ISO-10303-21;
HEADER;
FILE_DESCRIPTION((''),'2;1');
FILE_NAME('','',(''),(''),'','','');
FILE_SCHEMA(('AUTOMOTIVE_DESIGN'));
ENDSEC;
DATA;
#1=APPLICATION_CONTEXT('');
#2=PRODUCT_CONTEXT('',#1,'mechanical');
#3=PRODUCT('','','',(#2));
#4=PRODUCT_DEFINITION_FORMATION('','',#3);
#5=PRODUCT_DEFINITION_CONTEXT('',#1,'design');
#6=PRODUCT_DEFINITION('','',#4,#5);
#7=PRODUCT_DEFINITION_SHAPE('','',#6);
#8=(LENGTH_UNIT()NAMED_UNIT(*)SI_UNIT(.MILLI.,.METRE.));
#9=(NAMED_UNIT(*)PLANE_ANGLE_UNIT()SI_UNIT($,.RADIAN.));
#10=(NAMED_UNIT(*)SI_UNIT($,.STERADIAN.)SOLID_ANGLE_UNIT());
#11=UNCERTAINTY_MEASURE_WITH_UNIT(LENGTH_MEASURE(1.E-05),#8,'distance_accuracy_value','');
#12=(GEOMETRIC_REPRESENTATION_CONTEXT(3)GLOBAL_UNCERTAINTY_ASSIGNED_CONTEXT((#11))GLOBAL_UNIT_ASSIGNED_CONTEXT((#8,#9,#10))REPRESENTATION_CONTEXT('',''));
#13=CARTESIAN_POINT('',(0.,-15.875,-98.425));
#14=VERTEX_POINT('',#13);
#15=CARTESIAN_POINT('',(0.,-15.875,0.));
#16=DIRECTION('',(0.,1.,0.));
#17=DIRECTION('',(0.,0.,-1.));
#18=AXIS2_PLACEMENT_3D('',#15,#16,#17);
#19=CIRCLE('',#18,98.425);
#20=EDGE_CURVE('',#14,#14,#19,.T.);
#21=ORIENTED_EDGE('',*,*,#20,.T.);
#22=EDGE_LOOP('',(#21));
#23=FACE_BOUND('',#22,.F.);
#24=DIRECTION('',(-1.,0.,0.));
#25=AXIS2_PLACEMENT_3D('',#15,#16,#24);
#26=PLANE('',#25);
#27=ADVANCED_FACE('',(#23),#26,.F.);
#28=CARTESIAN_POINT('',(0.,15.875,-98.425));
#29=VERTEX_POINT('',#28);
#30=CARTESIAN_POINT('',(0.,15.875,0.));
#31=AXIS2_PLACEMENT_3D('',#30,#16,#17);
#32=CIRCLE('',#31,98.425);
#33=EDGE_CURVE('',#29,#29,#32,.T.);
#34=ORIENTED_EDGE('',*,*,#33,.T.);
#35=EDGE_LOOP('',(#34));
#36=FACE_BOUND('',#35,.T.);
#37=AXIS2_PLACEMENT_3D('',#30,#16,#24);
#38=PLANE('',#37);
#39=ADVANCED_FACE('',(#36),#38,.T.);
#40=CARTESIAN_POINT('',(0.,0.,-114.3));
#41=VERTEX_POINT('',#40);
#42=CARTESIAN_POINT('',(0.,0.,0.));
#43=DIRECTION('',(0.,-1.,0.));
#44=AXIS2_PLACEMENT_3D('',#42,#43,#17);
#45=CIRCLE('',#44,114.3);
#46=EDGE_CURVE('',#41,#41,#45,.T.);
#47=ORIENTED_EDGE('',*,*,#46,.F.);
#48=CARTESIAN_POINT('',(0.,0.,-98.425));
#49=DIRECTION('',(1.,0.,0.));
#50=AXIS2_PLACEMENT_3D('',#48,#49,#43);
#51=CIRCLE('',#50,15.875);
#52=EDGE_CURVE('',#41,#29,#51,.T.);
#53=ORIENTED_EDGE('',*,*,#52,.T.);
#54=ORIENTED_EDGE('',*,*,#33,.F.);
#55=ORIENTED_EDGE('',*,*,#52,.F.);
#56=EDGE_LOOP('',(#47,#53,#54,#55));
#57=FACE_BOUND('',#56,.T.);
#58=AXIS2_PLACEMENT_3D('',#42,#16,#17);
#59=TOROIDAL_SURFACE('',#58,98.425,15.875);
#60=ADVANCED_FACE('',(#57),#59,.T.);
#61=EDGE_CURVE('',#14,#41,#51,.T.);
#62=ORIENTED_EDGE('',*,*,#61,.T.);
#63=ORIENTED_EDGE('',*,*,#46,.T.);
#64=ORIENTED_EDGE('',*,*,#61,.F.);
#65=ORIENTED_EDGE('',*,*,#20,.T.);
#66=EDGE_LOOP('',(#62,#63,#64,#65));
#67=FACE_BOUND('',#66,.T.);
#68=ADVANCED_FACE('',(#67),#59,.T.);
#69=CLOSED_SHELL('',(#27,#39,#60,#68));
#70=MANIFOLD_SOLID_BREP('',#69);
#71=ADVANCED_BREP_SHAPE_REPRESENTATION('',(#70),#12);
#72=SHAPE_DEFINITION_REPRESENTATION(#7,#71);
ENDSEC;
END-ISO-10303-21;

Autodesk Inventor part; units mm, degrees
ref_plane "YZ Plane" through (0, 0, 0) normal (1, 0, 0) x (0, 1, 0)
ref_plane "XZ Plane" through (0, 0, 0) normal (0, 1, 0) x (-1, 0, 0)
ref_plane "XY Plane" through (0, 0, 0) normal (0, 0, 1) x (1, 0, 0)
sketch "Sketch1" plane through (0, 0, 0) normal (0, 1, 0) x (-1, 0, 0)
  circle A0 centre (0, 0) radius 114.3
  dimension "d0" = 228.6
extrude "Extrusion1" add sketch "Sketch1" along normal mid plane 31.75
sketch "Sketch2" plane through (0, 0, 0) normal (1, 0, 0) x (0, 1, 0)
  line L0 (-15.875, 114.3) -> (-15.875, -114.3) projected
  line L1 (-15.875, -114.3) -> (15.875, -114.3) projected
  line L2 (15.875, -114.3) -> (15.875, 114.3) projected
  line L3 (-15.875, 114.3) -> (15.875, 114.3) projected
  arc A0 (-15.875, -98.425) -> (15.875, -98.425) centre (0, -98.425) ccw
  line L4 (-22.225, 0) -> (22.225, 0) projected
  point P0 (0, 0)
  point P1 (0, -114.3)
  dimension "d3" = 15.875
revolve "Revolution1" cut sketch "Sketch2" angle 360 about axis through (0, -10, 0) along (0, 1, 0) contours A0 L1 L0 | A0 L2 L1
equation "\"d0\" = diameter"
equation "\"d1\" = thickness"
equation "\"diameter\" = 228.6"
equation "\"thickness\" = 31.75"
properties part number "frisbee_9_000"
